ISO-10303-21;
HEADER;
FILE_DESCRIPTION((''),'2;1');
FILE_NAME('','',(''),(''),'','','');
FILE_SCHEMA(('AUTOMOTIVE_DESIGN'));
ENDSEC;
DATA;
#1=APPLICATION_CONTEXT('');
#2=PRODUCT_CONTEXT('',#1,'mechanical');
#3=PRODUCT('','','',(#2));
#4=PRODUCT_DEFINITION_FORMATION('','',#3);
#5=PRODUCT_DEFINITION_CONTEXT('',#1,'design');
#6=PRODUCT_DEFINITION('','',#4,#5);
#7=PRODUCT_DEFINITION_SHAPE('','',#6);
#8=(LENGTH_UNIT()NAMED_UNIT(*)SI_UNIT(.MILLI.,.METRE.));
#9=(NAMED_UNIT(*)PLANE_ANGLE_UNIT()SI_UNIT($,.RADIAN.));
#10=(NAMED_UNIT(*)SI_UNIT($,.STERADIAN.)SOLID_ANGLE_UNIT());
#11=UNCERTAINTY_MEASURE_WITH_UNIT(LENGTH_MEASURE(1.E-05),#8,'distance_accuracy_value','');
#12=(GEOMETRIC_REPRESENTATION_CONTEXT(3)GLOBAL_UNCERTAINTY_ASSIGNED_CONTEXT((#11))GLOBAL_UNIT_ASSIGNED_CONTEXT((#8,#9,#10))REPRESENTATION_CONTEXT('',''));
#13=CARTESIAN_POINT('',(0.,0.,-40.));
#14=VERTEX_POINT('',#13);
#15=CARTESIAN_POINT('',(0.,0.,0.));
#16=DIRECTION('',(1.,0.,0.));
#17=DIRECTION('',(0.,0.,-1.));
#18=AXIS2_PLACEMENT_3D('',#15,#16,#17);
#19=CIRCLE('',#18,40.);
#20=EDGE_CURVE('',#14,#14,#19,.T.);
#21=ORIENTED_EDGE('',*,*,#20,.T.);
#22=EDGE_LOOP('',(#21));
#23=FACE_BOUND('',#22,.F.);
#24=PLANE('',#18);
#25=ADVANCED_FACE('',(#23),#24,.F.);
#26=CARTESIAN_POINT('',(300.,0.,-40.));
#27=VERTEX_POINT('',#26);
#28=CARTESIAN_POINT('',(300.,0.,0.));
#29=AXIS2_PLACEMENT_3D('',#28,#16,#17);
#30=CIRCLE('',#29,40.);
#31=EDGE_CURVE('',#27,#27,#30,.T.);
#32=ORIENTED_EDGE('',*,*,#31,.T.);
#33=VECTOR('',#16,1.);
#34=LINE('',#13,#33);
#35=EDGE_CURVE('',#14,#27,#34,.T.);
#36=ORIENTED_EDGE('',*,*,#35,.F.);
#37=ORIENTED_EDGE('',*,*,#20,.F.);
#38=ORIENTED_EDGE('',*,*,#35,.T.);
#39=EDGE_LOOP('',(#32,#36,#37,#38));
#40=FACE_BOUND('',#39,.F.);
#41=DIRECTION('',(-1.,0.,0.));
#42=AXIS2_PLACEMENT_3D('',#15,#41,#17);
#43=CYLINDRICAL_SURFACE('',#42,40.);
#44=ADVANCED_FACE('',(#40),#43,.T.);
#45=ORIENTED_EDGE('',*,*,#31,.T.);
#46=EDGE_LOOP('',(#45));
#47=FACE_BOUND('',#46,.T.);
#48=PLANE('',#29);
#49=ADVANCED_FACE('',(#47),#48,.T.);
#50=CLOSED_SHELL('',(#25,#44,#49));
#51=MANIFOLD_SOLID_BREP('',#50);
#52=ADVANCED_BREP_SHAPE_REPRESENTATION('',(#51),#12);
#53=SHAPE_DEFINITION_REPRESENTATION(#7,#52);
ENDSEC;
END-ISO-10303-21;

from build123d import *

# Parameters (mm, degrees)
RIVETPROFILE_R      = 40
BOSS_EXTRUDE1_DEPTH = 300


with BuildPart() as part:
    # RivetProfile → Boss-Extrude1 (new body)
    with BuildSketch(Plane(origin=(0, 0, 0), x_dir=(0, 0, -1), z_dir=(1, 0, 0))):
        Circle(RIVETPROFILE_R)
    extrude(amount=BOSS_EXTRUDE1_DEPTH)


solid = part.part
